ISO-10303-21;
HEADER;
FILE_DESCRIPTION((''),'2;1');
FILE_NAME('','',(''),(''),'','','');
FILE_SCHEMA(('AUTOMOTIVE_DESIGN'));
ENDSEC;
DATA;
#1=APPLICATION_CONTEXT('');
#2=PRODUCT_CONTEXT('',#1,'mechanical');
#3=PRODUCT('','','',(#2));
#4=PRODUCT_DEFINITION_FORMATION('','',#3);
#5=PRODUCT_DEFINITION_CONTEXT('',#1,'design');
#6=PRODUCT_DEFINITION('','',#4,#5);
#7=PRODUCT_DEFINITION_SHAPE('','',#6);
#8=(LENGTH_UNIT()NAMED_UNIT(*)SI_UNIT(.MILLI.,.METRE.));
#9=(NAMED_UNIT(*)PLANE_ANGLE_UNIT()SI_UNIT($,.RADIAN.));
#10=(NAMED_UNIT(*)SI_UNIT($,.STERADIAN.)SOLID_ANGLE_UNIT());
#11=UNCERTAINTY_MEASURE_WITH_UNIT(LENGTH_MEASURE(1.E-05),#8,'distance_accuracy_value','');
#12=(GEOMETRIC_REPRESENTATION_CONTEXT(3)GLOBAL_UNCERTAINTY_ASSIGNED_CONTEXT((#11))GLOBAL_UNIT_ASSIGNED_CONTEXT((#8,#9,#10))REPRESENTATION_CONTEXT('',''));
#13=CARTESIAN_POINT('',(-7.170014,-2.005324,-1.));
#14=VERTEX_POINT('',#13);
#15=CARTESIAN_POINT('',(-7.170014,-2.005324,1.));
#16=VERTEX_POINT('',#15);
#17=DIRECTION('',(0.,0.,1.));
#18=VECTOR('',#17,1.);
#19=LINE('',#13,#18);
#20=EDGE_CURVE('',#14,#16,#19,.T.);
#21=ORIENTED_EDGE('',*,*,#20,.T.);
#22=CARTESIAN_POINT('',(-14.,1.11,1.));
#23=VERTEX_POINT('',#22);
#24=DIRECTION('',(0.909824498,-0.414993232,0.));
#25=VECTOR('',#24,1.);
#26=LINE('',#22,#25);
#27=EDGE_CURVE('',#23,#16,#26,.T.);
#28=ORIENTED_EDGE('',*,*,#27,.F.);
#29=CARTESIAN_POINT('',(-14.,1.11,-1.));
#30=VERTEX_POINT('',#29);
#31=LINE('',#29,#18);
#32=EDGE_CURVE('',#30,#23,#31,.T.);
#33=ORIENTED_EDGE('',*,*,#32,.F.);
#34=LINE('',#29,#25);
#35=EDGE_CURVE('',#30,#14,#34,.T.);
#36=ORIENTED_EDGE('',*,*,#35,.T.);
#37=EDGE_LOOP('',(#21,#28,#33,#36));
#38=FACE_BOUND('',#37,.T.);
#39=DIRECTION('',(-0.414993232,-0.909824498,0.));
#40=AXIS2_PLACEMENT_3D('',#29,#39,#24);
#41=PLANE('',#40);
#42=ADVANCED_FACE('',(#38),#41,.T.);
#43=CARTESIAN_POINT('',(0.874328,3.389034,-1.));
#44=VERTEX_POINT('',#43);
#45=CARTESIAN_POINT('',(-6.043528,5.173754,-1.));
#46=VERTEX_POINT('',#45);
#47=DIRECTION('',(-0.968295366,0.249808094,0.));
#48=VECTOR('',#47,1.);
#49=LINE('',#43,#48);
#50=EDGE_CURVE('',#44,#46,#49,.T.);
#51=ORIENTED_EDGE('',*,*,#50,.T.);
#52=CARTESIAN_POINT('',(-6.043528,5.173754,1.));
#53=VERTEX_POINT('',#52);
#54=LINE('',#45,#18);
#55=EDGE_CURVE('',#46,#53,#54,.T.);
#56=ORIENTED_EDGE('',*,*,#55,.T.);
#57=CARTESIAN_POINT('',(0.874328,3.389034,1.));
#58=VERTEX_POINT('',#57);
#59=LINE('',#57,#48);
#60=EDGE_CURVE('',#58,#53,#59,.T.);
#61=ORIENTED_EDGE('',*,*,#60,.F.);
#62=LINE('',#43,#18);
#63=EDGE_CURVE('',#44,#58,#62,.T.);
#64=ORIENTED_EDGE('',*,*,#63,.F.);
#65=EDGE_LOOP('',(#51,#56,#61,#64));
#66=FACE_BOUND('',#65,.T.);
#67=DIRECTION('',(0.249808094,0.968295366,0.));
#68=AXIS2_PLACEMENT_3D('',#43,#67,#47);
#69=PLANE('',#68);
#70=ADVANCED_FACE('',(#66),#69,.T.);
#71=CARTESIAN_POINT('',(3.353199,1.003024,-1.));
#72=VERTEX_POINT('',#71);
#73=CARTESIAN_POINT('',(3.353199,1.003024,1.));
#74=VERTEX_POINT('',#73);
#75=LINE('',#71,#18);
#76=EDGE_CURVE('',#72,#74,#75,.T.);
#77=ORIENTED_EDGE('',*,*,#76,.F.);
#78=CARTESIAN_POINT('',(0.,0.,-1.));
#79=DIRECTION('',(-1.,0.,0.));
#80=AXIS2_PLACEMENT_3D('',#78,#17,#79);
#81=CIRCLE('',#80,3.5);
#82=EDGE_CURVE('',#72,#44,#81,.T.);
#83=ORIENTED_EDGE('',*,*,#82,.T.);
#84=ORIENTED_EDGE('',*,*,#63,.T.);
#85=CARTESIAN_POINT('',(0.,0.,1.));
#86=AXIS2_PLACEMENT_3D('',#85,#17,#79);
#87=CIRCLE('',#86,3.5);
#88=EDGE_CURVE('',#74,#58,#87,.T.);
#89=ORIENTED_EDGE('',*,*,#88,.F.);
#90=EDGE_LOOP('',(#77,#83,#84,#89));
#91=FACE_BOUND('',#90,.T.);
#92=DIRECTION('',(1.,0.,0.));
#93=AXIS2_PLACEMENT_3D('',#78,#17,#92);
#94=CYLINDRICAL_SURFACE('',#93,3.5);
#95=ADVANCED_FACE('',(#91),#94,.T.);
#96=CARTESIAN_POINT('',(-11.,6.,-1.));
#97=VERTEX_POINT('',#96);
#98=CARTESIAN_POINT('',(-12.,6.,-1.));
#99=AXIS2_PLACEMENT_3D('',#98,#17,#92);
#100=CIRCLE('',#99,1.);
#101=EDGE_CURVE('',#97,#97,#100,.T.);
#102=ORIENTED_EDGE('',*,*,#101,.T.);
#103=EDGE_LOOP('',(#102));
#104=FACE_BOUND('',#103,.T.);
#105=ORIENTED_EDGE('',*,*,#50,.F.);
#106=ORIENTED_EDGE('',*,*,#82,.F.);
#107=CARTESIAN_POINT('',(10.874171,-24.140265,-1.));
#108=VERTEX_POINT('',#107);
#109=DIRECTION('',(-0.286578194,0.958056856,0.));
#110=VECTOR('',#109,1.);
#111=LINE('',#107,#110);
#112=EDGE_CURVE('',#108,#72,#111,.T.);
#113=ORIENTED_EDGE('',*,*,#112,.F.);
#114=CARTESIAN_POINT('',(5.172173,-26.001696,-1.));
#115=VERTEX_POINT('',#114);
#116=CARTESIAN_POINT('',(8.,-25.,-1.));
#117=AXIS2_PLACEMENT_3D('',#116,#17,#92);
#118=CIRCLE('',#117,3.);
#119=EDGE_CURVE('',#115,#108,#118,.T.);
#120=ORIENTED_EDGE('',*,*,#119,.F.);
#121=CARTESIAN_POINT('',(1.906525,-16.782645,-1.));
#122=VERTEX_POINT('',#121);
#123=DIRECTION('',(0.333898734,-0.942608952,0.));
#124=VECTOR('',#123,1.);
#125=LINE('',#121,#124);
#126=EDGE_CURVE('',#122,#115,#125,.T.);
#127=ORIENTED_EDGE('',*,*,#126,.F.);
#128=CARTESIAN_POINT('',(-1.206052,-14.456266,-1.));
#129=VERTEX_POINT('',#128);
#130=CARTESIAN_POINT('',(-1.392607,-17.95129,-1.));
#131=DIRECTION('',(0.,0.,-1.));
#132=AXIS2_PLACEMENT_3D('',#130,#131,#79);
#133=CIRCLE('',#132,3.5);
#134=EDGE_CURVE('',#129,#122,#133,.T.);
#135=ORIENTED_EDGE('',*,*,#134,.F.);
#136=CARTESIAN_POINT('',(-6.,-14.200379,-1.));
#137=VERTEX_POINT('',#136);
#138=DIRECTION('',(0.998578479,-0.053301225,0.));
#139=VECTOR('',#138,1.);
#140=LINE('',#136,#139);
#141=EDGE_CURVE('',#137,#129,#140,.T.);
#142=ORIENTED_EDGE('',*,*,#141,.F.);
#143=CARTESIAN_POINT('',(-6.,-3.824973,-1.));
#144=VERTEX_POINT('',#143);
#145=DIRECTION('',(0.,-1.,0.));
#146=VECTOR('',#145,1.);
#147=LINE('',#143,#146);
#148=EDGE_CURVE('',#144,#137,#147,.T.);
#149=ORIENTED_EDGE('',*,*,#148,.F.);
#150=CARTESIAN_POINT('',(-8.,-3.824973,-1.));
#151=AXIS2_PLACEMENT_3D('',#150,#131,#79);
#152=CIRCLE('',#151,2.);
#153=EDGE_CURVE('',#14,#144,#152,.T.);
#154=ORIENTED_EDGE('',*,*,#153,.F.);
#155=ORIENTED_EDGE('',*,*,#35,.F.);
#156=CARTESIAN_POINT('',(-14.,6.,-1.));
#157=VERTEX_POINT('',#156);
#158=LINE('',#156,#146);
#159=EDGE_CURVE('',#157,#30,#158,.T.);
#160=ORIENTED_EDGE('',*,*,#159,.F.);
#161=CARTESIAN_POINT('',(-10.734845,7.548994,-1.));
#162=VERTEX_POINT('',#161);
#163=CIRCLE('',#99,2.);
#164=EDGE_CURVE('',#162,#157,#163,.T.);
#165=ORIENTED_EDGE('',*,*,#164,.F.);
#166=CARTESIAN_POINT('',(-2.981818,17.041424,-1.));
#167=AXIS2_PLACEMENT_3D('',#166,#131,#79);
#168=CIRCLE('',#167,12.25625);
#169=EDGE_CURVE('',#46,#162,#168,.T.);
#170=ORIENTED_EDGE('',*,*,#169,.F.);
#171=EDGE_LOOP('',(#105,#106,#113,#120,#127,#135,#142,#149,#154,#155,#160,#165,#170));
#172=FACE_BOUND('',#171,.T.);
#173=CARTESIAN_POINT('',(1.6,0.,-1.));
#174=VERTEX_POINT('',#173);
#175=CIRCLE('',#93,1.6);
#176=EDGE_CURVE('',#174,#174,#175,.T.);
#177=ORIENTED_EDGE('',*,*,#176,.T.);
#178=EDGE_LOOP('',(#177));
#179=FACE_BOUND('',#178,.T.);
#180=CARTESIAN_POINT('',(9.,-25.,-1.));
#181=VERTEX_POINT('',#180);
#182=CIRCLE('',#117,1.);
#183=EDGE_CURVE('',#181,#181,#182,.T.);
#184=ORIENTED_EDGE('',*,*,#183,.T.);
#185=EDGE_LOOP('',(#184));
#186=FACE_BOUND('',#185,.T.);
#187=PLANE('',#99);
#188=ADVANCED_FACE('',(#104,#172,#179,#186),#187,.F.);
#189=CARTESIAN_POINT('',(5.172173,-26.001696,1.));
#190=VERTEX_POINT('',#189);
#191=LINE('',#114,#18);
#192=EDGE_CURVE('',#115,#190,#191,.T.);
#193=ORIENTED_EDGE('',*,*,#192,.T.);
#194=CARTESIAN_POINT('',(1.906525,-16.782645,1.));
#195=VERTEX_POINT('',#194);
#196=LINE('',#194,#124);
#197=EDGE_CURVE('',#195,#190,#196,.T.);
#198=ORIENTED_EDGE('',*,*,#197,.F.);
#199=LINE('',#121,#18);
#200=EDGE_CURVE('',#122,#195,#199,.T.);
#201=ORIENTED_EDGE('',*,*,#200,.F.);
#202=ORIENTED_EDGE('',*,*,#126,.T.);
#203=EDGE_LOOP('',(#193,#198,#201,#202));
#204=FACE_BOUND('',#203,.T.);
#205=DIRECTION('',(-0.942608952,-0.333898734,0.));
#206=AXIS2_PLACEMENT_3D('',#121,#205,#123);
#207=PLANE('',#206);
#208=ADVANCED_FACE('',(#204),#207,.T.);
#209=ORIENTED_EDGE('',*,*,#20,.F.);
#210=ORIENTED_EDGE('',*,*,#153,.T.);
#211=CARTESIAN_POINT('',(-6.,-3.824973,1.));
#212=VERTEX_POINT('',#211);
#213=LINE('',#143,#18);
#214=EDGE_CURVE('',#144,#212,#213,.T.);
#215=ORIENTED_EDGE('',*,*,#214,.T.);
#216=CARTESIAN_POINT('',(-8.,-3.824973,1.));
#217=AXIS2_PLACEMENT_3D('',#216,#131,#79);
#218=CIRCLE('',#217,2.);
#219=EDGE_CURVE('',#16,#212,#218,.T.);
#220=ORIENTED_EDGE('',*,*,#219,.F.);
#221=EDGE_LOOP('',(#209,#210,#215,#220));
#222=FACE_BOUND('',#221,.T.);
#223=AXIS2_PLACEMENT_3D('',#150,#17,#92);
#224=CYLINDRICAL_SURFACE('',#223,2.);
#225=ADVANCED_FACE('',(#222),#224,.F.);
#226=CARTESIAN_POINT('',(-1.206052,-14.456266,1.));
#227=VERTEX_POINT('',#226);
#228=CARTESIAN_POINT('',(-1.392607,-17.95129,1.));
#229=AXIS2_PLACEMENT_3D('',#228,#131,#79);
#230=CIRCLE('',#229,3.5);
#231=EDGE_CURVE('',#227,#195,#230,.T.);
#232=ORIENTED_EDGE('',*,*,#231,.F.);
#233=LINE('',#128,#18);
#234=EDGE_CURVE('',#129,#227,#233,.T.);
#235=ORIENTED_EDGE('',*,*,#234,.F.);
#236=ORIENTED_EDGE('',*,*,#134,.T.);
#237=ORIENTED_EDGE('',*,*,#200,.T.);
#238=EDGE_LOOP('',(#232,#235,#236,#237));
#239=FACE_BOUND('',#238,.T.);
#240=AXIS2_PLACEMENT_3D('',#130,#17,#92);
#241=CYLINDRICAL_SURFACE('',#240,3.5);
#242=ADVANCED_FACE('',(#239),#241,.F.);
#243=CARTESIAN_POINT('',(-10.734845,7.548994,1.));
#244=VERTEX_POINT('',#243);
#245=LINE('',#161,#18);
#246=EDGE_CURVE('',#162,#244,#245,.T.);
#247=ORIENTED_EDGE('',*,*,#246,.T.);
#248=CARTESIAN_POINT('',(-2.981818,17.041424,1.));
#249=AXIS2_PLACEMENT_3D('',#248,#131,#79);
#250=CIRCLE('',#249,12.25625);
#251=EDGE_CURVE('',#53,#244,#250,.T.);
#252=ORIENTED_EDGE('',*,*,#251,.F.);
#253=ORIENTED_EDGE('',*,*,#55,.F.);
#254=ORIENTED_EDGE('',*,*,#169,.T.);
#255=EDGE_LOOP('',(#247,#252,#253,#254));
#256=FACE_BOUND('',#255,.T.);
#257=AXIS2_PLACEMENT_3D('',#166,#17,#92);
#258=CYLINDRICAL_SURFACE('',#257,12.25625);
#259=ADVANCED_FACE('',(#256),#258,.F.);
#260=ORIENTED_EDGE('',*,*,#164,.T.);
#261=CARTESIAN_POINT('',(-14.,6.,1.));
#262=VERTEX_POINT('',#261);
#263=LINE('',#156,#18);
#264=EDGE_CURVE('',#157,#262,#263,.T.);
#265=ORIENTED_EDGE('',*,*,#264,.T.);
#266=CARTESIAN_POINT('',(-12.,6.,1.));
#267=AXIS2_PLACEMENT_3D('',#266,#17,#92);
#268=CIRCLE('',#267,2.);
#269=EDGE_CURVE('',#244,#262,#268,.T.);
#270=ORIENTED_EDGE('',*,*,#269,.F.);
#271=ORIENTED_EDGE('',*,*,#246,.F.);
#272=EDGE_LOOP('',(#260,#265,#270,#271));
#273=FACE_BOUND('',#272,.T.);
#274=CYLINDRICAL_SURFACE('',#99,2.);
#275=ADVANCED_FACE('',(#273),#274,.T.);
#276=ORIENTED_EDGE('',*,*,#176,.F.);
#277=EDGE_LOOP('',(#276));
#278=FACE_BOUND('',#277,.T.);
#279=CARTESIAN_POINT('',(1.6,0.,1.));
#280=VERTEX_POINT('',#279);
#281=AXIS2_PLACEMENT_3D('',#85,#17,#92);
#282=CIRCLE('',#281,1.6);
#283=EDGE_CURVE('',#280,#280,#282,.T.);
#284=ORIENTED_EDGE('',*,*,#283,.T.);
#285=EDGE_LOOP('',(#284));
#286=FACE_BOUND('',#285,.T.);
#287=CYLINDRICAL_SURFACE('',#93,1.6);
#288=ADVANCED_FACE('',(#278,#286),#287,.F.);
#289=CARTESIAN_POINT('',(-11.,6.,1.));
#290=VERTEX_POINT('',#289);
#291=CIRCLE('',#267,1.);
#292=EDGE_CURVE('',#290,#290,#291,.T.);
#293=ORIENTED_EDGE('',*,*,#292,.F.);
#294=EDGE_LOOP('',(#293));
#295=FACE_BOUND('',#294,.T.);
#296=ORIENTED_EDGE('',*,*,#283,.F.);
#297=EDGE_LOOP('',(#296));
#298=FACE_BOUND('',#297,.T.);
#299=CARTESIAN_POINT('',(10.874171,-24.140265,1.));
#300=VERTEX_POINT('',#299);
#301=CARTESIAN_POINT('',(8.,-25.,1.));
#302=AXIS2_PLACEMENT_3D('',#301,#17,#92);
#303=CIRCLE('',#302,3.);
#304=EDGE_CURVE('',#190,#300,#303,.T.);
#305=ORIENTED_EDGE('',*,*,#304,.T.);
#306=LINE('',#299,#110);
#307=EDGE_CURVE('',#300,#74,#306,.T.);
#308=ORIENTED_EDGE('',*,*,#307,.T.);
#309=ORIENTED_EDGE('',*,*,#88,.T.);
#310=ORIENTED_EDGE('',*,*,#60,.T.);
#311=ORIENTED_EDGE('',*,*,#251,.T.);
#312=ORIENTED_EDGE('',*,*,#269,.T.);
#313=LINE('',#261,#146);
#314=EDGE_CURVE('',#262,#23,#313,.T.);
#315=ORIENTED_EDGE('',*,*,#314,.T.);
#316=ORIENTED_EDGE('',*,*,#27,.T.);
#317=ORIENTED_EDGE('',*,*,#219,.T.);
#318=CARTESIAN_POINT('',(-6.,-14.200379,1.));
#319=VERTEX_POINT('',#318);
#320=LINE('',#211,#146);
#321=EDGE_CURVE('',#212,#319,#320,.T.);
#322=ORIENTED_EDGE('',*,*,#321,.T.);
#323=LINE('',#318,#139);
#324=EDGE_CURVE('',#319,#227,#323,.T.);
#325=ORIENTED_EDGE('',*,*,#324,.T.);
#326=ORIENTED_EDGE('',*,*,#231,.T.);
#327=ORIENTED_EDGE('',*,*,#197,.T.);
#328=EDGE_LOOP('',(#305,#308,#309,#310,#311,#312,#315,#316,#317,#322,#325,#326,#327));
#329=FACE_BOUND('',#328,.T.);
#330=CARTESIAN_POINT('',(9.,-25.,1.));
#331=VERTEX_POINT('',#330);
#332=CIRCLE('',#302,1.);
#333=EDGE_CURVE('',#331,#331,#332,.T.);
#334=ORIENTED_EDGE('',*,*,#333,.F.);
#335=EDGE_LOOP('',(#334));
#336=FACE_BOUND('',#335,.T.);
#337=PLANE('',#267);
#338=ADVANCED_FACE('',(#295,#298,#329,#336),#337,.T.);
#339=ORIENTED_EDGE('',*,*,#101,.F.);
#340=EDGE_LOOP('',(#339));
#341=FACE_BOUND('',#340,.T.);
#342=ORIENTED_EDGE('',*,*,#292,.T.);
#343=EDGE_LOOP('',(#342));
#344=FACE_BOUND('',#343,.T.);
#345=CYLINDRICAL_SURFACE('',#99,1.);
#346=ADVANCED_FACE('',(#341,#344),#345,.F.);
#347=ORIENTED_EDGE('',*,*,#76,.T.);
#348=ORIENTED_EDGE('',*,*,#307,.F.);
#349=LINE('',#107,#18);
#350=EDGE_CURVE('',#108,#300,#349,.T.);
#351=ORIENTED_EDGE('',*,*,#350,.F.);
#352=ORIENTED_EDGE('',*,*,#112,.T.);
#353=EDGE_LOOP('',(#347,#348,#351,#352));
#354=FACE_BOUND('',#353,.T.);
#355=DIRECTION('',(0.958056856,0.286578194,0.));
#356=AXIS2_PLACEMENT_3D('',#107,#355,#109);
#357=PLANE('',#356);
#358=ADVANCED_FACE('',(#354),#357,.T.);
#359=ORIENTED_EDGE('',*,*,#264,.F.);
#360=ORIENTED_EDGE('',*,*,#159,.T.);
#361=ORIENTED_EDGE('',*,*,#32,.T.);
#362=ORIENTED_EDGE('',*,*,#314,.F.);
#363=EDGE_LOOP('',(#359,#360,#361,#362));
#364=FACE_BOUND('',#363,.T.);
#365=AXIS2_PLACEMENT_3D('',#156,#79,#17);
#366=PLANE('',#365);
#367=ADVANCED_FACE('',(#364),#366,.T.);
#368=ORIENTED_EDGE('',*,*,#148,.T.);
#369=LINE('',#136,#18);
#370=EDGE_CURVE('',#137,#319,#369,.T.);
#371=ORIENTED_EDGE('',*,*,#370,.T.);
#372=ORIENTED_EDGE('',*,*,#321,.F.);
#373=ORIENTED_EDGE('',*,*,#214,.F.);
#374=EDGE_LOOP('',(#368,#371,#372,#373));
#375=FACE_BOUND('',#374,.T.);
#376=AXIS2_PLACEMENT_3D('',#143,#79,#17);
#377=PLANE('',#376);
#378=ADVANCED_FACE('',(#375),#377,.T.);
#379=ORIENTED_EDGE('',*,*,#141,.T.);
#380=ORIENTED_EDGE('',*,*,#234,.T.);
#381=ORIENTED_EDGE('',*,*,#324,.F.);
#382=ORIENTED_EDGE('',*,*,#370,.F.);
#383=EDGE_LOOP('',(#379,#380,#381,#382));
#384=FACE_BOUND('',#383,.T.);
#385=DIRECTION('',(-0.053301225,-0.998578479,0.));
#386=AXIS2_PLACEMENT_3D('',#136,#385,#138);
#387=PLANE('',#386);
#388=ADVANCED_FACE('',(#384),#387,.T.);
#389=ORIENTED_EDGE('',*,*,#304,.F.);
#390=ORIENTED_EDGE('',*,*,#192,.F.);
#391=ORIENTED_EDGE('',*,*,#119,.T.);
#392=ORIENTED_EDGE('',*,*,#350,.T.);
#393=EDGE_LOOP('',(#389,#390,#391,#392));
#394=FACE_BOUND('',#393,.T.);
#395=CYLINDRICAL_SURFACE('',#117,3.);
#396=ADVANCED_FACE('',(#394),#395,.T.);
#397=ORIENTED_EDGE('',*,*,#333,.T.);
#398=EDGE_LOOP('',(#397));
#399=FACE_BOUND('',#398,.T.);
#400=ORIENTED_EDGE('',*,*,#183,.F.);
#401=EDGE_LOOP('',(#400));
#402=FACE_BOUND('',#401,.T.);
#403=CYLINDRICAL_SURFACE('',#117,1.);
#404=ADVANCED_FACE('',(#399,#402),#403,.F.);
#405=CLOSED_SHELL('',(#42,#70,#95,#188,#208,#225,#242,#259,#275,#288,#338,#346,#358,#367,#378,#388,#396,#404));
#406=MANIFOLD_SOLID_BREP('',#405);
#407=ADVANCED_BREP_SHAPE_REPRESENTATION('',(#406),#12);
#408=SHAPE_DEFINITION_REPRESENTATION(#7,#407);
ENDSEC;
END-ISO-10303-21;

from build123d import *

# Parameters (mm, degrees)
SKETCH_1_R      = 1
SKETCH_1_R_2    = 1.6
EXTRUDE_1_DEPTH = 1


with BuildPart() as part:
    # 草图1 → 凸台-拉伸1 (new body, symmetric)
    with BuildSketch(Plane.XY):
        with BuildLine():
            Line((0.874328329, 3.389033782), (-6.043528055, 5.173754207))
            ThreePointArc((-6.043528055, 5.173754207), (-8.518069078, 6.106819418), (-10.734845082, 7.548994201))
            ThreePointArc((-10.734845082, 7.548994201), (-12.857231055, 7.806973967), (-14, 6))
            Line((-14, 6), (-14, 1.110000054))
            Line((-14, 1.110000054), (-7.170013537, -2.005324011))
            ThreePointArc((-7.170013537, -2.005324011), (-6.317743639, -2.743301367), (-6, -3.824973007))
            Line((-6, -3.824973007), (-6, -14.200378782))
            Line((-6, -14.200378782), (-1.20605244, -14.456265808))
            ThreePointArc((-1.20605244, -14.456265808), (0.702747897, -15.147812467), (1.906524604, -16.782644918))
            Line((1.906524604, -16.782644918), (5.172173145, -26.001696201))
            ThreePointArc((5.172173145, -26.001696201), (8.931003799, -27.851882173), (10.874170567, -24.140265418))
            Line((10.874170567, -24.140265418), (3.353198995, 1.003023678))
            ThreePointArc((3.353198995, 1.003023678), (2.427191355, 2.521654641), (0.874328329, 3.389033782))
        make_face()
        with Locations((-12, 6)):
            Circle(SKETCH_1_R, mode=Mode.SUBTRACT)
        with Locations((8, -25)):
            Circle(SKETCH_1_R, mode=Mode.SUBTRACT)
        Circle(SKETCH_1_R_2, mode=Mode.SUBTRACT)
    extrude(amount=EXTRUDE_1_DEPTH, both=True)


solid = part.part
